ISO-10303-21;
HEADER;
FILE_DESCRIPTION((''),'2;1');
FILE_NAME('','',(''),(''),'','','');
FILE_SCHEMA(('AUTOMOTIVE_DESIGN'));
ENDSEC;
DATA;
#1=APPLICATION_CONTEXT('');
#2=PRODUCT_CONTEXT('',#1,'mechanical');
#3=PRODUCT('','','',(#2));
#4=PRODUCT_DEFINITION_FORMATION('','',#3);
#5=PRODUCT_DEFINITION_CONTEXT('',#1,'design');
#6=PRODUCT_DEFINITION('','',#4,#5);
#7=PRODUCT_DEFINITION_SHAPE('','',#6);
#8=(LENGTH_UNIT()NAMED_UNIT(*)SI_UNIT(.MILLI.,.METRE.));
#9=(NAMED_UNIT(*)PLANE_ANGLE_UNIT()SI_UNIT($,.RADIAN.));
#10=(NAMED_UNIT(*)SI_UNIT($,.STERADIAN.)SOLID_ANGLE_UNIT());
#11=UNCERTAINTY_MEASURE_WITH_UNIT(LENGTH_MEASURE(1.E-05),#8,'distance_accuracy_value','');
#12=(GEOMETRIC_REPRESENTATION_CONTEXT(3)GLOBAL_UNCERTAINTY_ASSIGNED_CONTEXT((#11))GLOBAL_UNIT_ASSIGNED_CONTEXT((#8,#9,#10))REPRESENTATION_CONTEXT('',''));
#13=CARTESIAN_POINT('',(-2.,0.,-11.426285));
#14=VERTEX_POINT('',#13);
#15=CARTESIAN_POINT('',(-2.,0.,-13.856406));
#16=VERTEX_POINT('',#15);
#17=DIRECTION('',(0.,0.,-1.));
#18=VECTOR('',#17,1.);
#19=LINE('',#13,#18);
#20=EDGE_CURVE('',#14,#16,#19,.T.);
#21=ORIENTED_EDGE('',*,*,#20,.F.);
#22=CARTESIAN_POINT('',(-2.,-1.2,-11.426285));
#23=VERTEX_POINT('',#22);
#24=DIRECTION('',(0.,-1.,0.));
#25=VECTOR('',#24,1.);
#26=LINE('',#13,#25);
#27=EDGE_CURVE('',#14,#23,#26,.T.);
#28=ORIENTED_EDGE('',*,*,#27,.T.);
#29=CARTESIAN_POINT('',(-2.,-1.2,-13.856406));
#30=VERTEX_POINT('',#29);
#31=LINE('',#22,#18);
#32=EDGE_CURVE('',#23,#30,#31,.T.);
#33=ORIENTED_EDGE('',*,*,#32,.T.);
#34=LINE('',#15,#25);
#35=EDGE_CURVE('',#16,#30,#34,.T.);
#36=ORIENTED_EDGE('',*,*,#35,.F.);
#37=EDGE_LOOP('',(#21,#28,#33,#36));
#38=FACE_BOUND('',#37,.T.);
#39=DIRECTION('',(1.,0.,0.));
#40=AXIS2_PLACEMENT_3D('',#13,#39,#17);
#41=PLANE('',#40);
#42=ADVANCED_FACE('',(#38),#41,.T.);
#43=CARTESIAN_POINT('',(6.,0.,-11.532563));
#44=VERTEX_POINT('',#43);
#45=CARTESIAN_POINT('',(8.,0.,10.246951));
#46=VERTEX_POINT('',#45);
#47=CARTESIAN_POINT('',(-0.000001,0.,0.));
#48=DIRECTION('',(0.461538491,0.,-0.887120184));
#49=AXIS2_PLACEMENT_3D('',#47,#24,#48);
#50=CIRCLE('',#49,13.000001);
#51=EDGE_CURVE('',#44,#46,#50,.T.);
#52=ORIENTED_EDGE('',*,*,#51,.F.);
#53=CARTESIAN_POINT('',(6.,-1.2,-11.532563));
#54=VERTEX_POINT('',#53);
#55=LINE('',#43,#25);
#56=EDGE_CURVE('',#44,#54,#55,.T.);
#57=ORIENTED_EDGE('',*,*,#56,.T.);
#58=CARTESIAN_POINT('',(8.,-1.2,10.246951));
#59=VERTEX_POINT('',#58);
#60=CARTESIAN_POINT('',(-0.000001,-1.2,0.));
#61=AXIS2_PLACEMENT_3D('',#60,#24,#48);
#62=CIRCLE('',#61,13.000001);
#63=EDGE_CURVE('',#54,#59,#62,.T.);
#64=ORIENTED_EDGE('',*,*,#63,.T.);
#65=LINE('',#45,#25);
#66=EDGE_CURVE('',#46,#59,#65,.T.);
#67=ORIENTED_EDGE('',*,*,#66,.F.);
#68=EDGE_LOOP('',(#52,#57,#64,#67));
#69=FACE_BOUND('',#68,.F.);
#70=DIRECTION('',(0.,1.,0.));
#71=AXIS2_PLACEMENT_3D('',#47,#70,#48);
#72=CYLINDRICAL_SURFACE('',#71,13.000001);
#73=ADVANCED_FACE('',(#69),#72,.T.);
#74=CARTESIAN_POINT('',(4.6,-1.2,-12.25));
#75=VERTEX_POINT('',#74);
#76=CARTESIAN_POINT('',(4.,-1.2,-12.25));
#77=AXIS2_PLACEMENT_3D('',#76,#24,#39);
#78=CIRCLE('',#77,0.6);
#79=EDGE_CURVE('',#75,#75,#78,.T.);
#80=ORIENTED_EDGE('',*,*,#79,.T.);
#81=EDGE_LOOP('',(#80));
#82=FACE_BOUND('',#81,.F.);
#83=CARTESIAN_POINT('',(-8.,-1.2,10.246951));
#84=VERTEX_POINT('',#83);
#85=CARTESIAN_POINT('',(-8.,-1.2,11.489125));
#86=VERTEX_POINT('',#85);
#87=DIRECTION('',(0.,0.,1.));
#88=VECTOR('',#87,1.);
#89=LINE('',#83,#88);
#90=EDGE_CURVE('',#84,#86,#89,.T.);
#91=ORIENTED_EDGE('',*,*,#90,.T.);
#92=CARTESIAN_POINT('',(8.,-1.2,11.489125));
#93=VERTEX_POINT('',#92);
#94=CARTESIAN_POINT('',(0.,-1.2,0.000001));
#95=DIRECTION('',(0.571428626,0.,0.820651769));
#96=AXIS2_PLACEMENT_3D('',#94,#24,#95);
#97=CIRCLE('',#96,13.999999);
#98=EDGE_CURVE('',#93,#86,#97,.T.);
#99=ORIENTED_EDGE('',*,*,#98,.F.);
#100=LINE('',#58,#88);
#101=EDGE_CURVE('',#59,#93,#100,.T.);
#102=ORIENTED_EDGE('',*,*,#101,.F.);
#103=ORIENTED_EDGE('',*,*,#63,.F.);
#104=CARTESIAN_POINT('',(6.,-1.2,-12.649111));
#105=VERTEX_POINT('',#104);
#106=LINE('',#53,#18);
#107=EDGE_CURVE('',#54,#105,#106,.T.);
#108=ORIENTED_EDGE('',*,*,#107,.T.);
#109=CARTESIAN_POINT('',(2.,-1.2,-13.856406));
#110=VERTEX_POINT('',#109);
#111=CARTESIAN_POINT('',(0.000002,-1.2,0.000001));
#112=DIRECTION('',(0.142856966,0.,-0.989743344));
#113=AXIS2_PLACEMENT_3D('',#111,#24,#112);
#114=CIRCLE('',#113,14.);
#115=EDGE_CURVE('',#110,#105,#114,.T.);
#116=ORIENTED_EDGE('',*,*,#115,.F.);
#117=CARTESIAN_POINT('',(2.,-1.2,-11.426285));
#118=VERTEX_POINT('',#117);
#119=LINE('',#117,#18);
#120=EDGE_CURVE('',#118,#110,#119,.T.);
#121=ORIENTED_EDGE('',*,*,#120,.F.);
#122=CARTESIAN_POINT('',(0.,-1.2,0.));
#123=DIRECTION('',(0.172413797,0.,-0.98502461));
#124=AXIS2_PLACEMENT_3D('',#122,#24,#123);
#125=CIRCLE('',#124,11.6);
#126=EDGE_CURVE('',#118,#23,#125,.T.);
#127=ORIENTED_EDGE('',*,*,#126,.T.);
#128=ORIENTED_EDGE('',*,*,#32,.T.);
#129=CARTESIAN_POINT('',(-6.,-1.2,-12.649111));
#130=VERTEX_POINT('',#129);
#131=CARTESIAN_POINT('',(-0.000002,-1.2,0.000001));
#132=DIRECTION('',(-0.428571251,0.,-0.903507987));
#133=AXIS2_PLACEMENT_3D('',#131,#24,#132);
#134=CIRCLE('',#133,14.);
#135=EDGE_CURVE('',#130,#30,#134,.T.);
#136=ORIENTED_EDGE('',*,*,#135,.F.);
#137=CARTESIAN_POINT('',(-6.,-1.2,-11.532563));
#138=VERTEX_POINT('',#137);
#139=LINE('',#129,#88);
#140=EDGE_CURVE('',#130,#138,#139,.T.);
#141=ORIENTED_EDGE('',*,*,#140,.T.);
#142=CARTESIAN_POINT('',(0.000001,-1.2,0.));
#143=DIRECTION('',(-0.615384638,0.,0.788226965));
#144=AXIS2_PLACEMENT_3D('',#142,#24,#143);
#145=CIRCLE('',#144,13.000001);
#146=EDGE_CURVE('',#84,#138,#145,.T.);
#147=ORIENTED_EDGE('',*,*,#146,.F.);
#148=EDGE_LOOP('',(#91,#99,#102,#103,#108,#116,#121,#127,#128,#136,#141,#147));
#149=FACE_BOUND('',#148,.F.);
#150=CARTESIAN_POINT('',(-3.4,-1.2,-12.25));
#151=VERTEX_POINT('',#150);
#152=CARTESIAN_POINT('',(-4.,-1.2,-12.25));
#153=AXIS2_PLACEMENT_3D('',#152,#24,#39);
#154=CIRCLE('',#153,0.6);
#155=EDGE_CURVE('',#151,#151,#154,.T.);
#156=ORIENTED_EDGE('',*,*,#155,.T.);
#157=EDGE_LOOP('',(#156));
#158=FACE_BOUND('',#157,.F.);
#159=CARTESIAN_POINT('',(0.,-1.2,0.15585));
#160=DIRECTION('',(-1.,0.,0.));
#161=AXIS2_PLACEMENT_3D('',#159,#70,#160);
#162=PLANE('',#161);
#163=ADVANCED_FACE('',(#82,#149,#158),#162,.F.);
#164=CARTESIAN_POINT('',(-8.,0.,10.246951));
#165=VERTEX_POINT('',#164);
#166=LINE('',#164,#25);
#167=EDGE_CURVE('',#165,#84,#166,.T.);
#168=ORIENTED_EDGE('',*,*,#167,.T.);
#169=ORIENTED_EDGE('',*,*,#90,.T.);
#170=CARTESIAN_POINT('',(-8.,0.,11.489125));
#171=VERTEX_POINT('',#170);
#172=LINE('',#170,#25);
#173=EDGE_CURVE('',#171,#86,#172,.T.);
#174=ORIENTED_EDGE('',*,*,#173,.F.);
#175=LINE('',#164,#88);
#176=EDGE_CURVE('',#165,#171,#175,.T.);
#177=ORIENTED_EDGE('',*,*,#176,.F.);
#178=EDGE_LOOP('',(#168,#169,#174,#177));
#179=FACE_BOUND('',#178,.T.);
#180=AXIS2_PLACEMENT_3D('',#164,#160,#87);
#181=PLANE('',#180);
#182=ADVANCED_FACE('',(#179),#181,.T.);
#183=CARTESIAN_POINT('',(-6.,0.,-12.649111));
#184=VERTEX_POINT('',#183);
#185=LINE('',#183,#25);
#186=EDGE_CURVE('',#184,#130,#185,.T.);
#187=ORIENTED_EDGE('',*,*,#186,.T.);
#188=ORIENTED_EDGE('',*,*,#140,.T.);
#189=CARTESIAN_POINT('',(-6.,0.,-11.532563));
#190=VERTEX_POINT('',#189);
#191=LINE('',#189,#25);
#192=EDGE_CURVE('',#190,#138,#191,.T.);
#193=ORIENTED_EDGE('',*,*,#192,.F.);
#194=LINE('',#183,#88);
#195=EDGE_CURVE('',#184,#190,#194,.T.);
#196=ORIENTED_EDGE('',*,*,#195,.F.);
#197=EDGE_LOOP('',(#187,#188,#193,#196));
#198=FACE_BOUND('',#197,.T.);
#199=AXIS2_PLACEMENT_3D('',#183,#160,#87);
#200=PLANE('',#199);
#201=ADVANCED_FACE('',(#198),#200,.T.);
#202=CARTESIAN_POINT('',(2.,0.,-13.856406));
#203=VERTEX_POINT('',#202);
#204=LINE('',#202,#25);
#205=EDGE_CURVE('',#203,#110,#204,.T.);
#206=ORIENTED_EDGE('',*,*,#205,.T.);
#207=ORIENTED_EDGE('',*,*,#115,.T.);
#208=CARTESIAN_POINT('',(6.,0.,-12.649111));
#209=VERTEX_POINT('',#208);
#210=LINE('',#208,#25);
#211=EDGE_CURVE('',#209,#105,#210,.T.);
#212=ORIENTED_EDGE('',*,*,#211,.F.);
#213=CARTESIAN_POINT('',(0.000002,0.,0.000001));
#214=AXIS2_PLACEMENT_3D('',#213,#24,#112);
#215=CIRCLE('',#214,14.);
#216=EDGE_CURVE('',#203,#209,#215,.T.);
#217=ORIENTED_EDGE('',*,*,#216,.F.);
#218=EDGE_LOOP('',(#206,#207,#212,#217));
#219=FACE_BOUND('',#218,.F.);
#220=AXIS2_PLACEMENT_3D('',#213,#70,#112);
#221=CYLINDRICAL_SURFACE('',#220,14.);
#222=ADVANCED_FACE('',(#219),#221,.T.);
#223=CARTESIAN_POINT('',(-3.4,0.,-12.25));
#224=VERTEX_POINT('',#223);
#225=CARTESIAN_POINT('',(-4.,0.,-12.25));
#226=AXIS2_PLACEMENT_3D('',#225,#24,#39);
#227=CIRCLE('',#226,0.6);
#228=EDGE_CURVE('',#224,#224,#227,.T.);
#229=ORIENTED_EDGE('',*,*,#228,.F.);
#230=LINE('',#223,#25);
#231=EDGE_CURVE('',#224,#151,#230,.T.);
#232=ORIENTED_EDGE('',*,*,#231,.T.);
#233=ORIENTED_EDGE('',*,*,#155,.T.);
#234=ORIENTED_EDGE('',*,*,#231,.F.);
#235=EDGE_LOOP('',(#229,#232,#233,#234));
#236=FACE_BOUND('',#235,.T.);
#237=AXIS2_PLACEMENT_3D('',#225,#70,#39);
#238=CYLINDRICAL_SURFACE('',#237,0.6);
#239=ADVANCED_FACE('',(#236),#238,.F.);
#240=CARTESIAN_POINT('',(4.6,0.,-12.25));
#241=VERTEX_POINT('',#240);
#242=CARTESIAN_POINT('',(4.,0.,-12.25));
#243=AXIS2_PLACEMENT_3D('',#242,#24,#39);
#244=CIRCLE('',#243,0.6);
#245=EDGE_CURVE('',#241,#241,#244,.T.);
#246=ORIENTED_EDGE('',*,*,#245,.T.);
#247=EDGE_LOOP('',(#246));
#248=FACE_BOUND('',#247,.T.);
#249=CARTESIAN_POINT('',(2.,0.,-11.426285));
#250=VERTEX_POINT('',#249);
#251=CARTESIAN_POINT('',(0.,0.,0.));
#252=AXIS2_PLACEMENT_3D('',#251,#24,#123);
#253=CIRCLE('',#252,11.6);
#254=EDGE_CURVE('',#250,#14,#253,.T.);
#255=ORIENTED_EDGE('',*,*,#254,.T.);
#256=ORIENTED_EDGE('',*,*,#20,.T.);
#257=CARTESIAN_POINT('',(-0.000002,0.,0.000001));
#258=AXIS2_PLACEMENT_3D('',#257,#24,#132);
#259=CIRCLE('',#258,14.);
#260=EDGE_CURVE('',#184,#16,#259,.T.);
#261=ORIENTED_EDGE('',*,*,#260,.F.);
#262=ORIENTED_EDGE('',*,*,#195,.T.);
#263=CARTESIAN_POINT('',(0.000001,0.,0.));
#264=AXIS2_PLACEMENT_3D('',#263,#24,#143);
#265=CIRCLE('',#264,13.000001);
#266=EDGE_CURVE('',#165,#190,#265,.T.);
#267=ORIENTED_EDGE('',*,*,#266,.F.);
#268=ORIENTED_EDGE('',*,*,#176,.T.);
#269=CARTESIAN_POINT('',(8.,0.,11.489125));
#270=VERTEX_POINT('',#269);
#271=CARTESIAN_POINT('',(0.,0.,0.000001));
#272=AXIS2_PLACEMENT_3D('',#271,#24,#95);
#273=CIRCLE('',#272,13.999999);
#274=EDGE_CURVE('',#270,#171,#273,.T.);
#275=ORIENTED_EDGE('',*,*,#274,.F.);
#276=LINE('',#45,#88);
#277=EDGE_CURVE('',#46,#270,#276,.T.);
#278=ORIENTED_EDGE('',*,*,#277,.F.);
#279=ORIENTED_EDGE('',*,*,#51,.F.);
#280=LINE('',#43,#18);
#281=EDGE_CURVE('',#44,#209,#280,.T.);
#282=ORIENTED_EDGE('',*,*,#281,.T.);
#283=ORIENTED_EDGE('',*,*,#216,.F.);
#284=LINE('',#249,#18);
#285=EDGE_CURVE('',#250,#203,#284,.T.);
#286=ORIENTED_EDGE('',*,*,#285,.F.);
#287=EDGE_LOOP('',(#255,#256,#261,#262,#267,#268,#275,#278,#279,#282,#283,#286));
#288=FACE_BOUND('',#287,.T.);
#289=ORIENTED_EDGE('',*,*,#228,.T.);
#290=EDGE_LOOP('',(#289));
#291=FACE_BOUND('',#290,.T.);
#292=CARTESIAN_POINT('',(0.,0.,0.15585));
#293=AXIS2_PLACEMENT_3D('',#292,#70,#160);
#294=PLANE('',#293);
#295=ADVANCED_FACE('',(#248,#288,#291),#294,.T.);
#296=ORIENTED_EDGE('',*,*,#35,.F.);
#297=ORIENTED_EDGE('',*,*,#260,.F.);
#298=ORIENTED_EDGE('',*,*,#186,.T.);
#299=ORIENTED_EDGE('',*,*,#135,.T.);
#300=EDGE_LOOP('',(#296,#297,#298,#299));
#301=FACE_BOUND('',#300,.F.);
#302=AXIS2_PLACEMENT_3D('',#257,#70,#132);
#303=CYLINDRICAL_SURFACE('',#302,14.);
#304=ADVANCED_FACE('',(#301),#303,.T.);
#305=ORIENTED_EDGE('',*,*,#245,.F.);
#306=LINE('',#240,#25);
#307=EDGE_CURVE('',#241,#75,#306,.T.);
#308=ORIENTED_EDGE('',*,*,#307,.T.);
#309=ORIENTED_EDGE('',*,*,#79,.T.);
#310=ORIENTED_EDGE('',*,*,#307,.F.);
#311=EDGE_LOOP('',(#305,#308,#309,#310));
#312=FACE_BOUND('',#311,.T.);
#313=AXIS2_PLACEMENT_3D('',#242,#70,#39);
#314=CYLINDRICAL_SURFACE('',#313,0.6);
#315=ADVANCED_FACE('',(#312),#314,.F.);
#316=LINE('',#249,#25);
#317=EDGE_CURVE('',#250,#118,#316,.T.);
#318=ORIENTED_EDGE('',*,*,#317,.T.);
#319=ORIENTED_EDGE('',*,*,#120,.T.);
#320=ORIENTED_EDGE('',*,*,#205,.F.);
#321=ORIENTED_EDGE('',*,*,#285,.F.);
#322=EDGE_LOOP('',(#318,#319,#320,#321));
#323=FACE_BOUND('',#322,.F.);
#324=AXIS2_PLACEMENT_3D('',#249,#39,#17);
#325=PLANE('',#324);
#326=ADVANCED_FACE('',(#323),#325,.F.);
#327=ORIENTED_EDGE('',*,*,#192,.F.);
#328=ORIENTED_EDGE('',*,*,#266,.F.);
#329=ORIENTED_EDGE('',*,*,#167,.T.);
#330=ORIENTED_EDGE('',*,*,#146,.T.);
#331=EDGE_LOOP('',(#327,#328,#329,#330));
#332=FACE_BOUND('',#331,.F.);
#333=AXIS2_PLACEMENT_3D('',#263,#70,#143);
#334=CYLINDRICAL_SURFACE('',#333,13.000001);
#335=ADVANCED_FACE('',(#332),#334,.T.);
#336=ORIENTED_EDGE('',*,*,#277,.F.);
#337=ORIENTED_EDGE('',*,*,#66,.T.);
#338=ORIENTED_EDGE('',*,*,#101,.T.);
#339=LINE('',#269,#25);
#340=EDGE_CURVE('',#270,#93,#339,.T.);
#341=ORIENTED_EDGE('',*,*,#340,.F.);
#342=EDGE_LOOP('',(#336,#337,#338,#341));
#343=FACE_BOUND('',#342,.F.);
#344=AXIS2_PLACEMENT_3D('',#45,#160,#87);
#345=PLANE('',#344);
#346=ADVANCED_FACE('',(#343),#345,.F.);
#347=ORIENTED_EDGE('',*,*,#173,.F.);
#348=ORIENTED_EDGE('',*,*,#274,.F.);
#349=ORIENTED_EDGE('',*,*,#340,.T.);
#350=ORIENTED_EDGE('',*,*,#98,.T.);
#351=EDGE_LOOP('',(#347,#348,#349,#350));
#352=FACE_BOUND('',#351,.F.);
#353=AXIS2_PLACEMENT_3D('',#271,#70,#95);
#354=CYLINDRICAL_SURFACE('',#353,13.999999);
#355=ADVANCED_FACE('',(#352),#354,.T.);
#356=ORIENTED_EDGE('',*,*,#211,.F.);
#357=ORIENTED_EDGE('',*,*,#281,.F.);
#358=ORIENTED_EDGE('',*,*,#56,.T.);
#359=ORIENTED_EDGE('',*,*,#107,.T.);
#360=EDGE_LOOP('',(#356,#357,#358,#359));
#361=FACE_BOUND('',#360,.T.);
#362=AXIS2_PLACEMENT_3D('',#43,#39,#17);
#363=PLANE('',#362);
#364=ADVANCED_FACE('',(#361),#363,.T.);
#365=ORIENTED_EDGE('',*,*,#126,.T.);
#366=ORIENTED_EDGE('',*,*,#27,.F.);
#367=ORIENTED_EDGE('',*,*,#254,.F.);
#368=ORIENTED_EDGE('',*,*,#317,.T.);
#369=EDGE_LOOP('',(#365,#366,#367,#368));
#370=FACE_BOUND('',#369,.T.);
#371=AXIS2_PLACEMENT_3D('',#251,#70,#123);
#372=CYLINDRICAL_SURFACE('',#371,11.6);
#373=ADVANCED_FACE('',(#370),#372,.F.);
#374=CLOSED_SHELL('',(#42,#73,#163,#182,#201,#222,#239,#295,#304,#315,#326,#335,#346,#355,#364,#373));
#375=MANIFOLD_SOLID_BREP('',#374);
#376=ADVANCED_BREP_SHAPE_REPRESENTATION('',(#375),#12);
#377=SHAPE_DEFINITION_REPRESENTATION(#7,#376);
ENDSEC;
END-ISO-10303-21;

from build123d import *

# Parameters (mm, degrees)
SKETCH_R  = 0.6
PAD_DEPTH = 1.2


with BuildPart() as part:
    # Sketch → Pad (new body)
    with BuildSketch(Plane.XZ):
        with BuildLine():
            ThreePointArc((2, -11.426285), (0, 11.6), (-2, -11.426285))
            Line((-2, -11.426285), (-2, -13.856406))
            ThreePointArc((-6, -12.649111), (-4.045292, -13.402821), (-2, -13.856406))
            Line((-6, -12.649111), (-6, -11.532563))
            ThreePointArc((-8, 10.246951), (-12.945532, -1.188781), (-6, -11.532563))
            Line((-8, 10.246951), (-8, 11.489125))
            ThreePointArc((8, 11.489125), (0, 14), (-8, 11.489125))
            Line((8, 10.246951), (8, 11.489125))
            ThreePointArc((6, -11.532563), (12.945532, -1.188781), (8, 10.246951))
            Line((6, -11.532563), (6, -12.649111))
            ThreePointArc((2, -13.856406), (4.045292, -13.402821), (6, -12.649111))
            Line((2, -11.426285), (2, -13.856406))
        make_face()
        with Locations((-4, -12.25)):
            Circle(SKETCH_R, mode=Mode.SUBTRACT)
        with Locations((4, -12.25)):
            Circle(SKETCH_R, mode=Mode.SUBTRACT)
    extrude(amount=PAD_DEPTH)


solid = part.part
